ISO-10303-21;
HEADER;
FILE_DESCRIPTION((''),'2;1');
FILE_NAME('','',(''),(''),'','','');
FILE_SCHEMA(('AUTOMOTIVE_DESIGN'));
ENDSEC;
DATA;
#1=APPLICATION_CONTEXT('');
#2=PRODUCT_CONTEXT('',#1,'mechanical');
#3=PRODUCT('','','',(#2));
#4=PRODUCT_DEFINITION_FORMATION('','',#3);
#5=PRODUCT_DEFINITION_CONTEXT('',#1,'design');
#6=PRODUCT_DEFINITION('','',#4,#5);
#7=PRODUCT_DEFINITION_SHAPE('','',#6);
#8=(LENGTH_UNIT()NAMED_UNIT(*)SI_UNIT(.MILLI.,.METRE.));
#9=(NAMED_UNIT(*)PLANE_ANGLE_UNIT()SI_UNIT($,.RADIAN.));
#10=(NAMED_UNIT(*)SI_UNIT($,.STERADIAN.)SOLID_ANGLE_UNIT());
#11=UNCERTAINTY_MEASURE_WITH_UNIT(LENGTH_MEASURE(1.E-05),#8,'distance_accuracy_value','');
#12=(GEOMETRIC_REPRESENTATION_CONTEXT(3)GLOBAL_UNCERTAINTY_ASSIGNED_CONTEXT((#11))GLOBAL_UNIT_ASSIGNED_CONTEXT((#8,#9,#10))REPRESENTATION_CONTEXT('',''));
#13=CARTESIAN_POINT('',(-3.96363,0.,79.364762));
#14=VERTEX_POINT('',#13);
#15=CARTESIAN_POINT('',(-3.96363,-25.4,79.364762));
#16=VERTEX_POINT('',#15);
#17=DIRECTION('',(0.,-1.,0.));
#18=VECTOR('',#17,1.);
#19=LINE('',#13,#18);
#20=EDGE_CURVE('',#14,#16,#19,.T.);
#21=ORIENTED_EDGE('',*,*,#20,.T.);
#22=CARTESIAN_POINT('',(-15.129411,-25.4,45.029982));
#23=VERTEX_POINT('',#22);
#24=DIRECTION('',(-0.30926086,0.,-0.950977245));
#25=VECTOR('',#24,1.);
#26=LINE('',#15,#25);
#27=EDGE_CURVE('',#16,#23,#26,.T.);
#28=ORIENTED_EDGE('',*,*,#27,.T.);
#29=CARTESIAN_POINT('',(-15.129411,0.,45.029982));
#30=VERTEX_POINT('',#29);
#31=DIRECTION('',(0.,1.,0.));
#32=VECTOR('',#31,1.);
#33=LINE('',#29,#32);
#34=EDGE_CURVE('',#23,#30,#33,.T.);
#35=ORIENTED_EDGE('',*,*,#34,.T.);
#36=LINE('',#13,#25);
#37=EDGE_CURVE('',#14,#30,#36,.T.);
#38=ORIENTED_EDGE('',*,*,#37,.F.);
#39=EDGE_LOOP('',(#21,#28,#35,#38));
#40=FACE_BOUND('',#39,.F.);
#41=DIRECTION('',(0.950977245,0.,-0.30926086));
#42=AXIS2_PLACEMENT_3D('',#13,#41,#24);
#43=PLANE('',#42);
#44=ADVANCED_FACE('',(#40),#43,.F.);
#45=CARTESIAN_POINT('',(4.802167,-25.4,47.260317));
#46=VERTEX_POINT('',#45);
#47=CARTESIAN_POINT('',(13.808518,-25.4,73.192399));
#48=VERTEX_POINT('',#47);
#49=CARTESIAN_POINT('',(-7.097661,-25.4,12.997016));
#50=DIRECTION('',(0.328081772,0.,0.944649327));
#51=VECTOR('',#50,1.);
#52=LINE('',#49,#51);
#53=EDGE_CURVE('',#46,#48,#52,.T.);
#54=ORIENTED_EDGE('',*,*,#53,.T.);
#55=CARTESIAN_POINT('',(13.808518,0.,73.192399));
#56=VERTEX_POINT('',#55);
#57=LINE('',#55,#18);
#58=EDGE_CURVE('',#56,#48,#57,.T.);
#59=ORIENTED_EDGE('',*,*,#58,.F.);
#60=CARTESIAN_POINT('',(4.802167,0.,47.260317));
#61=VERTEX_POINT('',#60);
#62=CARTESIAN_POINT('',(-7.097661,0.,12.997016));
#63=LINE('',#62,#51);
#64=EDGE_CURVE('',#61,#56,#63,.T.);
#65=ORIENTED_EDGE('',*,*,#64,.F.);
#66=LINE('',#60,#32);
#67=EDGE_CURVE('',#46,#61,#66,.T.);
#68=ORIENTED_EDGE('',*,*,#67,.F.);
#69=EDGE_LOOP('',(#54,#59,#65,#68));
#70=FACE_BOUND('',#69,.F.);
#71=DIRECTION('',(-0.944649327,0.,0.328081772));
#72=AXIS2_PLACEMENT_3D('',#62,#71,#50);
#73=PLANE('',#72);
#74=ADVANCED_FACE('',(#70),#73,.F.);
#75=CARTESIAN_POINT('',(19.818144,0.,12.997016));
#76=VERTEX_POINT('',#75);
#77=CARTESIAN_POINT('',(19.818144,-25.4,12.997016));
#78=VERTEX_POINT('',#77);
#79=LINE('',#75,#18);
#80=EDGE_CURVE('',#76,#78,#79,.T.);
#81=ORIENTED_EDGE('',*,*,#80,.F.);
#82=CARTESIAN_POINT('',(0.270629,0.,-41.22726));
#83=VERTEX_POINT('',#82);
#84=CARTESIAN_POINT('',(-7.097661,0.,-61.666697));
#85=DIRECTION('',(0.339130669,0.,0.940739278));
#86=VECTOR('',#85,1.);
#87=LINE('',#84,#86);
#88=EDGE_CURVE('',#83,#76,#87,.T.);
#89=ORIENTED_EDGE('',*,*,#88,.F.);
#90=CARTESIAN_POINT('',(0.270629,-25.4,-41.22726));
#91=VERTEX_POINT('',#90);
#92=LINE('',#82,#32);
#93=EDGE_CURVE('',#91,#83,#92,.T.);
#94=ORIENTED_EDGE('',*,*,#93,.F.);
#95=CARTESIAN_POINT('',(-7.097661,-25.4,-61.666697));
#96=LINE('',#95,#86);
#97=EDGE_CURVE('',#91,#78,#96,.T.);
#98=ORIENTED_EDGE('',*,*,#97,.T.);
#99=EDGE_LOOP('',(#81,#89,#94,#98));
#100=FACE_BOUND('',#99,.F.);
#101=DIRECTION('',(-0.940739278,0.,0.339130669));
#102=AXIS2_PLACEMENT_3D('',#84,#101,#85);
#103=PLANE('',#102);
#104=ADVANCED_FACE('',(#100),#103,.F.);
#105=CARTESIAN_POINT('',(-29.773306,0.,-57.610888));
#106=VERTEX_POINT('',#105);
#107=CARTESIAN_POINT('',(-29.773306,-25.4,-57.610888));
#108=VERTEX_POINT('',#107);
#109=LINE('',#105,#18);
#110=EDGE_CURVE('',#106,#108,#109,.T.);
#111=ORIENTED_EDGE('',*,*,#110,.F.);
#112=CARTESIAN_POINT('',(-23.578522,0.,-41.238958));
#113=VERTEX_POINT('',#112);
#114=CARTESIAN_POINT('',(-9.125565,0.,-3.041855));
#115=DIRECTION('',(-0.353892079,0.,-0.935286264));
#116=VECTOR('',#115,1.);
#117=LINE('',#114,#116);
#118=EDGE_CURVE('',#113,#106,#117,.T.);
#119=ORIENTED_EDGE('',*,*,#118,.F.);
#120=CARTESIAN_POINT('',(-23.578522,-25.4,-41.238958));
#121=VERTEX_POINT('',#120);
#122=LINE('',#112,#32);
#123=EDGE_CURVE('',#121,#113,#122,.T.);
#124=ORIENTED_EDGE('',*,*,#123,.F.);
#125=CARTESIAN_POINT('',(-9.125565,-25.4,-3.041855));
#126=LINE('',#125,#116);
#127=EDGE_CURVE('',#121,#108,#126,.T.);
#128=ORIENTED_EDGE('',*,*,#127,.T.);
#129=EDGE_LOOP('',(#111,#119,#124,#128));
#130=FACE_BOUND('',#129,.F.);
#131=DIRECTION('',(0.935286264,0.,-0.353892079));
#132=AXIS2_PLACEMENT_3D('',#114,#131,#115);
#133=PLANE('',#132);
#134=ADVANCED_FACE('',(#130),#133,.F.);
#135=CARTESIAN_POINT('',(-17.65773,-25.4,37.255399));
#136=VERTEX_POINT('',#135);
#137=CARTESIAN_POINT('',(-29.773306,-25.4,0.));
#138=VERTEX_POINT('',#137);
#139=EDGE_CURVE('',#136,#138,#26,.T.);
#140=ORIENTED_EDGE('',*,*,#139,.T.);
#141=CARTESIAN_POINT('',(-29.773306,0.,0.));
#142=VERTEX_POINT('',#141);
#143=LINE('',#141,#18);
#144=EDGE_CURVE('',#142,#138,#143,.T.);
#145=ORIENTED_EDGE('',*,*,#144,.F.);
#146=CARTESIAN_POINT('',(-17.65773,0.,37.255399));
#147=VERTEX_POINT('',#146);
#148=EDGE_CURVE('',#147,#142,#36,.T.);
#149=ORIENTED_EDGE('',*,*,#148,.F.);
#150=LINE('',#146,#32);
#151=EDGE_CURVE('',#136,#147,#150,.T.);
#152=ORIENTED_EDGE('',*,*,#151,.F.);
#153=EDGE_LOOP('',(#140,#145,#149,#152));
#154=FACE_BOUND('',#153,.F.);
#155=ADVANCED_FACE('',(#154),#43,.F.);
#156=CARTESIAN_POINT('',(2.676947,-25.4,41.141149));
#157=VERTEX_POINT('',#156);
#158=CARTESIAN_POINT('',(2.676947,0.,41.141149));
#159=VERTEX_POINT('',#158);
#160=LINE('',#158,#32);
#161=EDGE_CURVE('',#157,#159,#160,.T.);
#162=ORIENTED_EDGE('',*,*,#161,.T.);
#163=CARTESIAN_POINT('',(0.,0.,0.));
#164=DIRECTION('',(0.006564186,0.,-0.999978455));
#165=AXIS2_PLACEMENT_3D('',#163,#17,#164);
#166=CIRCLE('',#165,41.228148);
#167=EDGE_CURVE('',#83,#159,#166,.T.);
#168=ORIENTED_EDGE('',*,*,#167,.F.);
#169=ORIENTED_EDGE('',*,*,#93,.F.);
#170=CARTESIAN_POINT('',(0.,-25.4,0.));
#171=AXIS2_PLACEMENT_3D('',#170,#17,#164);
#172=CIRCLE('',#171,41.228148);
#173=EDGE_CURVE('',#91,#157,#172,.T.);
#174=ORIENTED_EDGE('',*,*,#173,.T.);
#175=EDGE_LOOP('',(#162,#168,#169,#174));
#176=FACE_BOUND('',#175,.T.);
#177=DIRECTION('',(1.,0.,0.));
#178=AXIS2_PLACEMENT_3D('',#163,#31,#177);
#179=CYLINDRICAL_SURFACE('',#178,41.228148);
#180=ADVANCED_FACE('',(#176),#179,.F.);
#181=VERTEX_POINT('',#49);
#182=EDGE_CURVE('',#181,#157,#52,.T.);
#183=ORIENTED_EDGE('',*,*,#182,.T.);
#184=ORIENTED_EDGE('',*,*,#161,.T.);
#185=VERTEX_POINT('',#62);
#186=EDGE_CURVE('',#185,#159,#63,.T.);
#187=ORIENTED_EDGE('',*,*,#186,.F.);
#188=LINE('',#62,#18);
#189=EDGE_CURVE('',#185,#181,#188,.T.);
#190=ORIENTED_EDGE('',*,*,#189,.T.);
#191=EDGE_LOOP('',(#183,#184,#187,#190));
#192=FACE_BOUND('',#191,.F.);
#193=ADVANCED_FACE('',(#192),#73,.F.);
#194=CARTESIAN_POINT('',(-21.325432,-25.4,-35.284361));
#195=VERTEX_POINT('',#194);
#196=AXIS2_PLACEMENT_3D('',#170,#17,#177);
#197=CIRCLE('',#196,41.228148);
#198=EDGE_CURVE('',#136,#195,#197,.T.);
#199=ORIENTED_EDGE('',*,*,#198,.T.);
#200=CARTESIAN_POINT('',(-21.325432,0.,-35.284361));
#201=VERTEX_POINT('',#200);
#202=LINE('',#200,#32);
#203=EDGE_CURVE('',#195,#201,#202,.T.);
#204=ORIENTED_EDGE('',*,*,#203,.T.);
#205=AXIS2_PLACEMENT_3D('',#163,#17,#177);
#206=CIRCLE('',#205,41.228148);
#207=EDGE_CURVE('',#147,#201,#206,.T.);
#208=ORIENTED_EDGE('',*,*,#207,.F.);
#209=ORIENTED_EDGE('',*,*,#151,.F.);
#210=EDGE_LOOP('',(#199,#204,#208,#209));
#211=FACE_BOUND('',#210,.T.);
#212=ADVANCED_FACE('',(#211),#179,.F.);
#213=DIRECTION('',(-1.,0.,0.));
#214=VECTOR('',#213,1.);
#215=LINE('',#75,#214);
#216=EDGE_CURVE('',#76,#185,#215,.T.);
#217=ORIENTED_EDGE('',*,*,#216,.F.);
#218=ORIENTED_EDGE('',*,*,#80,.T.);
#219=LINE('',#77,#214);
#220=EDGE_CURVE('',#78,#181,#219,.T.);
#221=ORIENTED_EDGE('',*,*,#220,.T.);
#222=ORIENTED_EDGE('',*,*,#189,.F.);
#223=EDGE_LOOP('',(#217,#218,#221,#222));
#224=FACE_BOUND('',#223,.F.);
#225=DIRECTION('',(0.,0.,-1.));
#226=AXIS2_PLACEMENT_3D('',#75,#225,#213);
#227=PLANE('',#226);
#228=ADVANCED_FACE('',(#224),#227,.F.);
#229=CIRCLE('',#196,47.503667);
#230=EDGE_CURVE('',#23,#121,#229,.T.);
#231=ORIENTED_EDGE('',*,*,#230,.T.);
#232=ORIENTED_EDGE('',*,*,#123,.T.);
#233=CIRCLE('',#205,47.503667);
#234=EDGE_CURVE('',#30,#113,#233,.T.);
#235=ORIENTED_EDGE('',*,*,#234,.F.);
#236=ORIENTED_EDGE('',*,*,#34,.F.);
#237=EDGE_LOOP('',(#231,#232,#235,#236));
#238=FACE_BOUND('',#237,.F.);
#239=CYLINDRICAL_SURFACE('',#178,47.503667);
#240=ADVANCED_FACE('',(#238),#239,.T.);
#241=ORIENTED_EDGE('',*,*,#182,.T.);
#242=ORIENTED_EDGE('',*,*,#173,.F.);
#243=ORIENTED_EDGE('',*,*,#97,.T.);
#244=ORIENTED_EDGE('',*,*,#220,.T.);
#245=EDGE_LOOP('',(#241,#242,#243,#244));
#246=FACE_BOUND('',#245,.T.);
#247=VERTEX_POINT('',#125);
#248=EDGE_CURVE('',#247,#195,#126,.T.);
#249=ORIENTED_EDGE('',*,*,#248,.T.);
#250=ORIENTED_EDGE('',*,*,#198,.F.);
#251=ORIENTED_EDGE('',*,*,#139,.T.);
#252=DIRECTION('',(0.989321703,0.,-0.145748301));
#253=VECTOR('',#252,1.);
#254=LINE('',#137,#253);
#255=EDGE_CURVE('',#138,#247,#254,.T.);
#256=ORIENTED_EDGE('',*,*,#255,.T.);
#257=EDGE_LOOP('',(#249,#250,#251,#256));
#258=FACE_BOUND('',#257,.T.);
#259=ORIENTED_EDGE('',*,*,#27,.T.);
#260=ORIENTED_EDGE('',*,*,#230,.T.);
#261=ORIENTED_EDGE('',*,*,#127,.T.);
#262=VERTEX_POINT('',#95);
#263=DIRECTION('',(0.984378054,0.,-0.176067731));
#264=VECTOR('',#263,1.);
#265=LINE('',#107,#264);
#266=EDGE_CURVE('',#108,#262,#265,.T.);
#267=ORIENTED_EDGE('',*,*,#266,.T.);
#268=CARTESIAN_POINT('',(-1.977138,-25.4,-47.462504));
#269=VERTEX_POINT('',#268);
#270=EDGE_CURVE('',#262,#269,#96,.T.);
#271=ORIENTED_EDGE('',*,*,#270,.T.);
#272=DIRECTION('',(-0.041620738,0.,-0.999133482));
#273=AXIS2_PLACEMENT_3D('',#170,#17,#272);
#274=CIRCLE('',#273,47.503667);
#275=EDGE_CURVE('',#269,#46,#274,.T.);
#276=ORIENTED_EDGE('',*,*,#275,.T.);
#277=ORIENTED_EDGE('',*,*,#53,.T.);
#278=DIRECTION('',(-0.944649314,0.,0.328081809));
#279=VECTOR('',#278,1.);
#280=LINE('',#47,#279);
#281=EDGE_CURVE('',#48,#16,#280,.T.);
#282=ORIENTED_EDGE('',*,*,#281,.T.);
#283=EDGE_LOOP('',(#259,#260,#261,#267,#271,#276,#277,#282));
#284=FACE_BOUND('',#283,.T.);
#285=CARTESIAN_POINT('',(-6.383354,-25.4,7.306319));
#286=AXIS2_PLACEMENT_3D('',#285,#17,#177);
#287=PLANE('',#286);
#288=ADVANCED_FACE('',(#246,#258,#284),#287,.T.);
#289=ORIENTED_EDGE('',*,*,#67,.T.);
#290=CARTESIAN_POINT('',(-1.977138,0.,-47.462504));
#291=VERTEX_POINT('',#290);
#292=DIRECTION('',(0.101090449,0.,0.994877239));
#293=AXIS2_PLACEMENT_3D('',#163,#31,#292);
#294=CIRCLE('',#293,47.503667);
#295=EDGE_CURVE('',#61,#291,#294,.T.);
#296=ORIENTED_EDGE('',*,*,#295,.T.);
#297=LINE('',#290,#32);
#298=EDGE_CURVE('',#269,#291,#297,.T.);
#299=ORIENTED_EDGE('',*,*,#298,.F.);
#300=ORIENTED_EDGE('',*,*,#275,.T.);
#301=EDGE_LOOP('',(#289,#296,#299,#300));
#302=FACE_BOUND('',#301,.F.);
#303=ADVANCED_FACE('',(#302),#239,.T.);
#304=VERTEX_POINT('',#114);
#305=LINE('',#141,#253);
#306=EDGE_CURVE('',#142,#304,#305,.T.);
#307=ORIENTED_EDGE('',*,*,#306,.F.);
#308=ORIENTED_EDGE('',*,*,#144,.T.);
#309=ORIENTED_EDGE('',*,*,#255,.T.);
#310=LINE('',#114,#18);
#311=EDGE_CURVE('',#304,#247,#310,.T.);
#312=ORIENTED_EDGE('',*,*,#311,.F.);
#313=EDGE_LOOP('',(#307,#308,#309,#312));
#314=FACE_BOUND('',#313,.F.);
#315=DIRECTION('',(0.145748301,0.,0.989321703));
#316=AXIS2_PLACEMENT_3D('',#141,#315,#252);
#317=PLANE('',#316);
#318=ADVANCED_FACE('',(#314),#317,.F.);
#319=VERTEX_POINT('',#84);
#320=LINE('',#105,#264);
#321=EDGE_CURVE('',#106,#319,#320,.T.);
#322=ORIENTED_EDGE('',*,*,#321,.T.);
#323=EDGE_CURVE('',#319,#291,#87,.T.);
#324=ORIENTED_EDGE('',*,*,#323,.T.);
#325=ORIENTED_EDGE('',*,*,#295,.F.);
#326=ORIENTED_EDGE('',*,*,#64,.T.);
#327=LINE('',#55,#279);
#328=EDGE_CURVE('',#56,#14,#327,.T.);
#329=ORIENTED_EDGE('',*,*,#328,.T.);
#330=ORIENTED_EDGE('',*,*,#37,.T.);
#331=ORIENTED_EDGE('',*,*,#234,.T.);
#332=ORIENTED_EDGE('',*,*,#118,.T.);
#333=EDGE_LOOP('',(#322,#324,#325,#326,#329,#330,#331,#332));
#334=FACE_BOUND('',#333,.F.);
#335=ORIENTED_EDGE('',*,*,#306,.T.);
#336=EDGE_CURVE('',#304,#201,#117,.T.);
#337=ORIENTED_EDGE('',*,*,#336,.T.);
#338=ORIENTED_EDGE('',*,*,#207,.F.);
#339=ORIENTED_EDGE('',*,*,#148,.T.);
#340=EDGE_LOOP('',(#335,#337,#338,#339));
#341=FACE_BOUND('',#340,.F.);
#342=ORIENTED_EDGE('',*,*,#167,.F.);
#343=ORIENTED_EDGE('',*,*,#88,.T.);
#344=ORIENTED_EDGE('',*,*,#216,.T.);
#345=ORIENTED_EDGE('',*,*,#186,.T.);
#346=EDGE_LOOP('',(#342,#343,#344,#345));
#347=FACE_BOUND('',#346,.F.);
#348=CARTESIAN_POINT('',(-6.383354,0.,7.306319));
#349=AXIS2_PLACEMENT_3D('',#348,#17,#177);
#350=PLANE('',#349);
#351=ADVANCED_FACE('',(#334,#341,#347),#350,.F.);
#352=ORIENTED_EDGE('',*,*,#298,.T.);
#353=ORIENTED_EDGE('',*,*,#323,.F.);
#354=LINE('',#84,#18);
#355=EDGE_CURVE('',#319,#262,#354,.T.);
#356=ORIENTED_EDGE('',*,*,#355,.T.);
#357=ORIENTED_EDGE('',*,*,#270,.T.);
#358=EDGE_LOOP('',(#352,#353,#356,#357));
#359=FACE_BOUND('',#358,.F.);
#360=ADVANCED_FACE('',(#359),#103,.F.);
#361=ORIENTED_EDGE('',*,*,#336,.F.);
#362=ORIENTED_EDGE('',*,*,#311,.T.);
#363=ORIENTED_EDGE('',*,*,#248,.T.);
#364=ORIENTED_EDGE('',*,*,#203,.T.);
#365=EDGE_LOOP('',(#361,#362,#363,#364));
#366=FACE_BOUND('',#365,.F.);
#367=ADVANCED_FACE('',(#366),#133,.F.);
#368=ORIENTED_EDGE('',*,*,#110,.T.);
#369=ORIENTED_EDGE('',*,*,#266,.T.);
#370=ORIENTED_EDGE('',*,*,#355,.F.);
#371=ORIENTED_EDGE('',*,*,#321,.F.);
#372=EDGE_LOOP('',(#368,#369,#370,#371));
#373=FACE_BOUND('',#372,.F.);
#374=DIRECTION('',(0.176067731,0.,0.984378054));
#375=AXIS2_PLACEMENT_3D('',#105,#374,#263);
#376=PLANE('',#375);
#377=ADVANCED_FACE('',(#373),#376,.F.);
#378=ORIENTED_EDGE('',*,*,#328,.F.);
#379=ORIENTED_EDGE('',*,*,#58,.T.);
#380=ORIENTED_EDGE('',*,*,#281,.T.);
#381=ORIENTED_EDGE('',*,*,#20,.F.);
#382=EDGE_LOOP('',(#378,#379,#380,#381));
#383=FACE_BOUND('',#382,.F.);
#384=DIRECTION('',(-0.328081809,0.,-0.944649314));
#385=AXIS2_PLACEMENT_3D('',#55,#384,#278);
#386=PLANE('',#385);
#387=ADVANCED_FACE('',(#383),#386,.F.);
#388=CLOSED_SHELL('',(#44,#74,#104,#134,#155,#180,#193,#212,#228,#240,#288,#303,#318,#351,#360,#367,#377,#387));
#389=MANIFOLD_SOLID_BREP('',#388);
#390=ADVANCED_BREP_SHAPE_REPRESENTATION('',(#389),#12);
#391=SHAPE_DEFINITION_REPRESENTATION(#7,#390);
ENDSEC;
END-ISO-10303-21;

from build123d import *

# Parameters (mm, degrees)
F0_R     = 47.503667
F0_R_2   = 41.228148
F1_DEPTH = 25.4
F3_DEPTH = 25.4


with BuildPart() as f1:
    # F0 (on Front) → F1 (new body)
    with BuildSketch(Plane.XZ):
        Circle(F0_R)
        Circle(F0_R_2, mode=Mode.SUBTRACT)
    extrude(amount=F1_DEPTH)

    # F2 (on Front) → F3 (join)
    with BuildSketch(Plane.XZ):
        Polygon((-7.097661, 12.997016), (13.808518, 73.192399), (-3.96363, 79.364762), (-29.773306, 0), (-9.125565, -3.041855), (-29.773306, -57.610888), (-7.097661, -61.666697), (19.818144, 12.997016), align=None)
    extrude(amount=F3_DEPTH)


solid = f1.part
